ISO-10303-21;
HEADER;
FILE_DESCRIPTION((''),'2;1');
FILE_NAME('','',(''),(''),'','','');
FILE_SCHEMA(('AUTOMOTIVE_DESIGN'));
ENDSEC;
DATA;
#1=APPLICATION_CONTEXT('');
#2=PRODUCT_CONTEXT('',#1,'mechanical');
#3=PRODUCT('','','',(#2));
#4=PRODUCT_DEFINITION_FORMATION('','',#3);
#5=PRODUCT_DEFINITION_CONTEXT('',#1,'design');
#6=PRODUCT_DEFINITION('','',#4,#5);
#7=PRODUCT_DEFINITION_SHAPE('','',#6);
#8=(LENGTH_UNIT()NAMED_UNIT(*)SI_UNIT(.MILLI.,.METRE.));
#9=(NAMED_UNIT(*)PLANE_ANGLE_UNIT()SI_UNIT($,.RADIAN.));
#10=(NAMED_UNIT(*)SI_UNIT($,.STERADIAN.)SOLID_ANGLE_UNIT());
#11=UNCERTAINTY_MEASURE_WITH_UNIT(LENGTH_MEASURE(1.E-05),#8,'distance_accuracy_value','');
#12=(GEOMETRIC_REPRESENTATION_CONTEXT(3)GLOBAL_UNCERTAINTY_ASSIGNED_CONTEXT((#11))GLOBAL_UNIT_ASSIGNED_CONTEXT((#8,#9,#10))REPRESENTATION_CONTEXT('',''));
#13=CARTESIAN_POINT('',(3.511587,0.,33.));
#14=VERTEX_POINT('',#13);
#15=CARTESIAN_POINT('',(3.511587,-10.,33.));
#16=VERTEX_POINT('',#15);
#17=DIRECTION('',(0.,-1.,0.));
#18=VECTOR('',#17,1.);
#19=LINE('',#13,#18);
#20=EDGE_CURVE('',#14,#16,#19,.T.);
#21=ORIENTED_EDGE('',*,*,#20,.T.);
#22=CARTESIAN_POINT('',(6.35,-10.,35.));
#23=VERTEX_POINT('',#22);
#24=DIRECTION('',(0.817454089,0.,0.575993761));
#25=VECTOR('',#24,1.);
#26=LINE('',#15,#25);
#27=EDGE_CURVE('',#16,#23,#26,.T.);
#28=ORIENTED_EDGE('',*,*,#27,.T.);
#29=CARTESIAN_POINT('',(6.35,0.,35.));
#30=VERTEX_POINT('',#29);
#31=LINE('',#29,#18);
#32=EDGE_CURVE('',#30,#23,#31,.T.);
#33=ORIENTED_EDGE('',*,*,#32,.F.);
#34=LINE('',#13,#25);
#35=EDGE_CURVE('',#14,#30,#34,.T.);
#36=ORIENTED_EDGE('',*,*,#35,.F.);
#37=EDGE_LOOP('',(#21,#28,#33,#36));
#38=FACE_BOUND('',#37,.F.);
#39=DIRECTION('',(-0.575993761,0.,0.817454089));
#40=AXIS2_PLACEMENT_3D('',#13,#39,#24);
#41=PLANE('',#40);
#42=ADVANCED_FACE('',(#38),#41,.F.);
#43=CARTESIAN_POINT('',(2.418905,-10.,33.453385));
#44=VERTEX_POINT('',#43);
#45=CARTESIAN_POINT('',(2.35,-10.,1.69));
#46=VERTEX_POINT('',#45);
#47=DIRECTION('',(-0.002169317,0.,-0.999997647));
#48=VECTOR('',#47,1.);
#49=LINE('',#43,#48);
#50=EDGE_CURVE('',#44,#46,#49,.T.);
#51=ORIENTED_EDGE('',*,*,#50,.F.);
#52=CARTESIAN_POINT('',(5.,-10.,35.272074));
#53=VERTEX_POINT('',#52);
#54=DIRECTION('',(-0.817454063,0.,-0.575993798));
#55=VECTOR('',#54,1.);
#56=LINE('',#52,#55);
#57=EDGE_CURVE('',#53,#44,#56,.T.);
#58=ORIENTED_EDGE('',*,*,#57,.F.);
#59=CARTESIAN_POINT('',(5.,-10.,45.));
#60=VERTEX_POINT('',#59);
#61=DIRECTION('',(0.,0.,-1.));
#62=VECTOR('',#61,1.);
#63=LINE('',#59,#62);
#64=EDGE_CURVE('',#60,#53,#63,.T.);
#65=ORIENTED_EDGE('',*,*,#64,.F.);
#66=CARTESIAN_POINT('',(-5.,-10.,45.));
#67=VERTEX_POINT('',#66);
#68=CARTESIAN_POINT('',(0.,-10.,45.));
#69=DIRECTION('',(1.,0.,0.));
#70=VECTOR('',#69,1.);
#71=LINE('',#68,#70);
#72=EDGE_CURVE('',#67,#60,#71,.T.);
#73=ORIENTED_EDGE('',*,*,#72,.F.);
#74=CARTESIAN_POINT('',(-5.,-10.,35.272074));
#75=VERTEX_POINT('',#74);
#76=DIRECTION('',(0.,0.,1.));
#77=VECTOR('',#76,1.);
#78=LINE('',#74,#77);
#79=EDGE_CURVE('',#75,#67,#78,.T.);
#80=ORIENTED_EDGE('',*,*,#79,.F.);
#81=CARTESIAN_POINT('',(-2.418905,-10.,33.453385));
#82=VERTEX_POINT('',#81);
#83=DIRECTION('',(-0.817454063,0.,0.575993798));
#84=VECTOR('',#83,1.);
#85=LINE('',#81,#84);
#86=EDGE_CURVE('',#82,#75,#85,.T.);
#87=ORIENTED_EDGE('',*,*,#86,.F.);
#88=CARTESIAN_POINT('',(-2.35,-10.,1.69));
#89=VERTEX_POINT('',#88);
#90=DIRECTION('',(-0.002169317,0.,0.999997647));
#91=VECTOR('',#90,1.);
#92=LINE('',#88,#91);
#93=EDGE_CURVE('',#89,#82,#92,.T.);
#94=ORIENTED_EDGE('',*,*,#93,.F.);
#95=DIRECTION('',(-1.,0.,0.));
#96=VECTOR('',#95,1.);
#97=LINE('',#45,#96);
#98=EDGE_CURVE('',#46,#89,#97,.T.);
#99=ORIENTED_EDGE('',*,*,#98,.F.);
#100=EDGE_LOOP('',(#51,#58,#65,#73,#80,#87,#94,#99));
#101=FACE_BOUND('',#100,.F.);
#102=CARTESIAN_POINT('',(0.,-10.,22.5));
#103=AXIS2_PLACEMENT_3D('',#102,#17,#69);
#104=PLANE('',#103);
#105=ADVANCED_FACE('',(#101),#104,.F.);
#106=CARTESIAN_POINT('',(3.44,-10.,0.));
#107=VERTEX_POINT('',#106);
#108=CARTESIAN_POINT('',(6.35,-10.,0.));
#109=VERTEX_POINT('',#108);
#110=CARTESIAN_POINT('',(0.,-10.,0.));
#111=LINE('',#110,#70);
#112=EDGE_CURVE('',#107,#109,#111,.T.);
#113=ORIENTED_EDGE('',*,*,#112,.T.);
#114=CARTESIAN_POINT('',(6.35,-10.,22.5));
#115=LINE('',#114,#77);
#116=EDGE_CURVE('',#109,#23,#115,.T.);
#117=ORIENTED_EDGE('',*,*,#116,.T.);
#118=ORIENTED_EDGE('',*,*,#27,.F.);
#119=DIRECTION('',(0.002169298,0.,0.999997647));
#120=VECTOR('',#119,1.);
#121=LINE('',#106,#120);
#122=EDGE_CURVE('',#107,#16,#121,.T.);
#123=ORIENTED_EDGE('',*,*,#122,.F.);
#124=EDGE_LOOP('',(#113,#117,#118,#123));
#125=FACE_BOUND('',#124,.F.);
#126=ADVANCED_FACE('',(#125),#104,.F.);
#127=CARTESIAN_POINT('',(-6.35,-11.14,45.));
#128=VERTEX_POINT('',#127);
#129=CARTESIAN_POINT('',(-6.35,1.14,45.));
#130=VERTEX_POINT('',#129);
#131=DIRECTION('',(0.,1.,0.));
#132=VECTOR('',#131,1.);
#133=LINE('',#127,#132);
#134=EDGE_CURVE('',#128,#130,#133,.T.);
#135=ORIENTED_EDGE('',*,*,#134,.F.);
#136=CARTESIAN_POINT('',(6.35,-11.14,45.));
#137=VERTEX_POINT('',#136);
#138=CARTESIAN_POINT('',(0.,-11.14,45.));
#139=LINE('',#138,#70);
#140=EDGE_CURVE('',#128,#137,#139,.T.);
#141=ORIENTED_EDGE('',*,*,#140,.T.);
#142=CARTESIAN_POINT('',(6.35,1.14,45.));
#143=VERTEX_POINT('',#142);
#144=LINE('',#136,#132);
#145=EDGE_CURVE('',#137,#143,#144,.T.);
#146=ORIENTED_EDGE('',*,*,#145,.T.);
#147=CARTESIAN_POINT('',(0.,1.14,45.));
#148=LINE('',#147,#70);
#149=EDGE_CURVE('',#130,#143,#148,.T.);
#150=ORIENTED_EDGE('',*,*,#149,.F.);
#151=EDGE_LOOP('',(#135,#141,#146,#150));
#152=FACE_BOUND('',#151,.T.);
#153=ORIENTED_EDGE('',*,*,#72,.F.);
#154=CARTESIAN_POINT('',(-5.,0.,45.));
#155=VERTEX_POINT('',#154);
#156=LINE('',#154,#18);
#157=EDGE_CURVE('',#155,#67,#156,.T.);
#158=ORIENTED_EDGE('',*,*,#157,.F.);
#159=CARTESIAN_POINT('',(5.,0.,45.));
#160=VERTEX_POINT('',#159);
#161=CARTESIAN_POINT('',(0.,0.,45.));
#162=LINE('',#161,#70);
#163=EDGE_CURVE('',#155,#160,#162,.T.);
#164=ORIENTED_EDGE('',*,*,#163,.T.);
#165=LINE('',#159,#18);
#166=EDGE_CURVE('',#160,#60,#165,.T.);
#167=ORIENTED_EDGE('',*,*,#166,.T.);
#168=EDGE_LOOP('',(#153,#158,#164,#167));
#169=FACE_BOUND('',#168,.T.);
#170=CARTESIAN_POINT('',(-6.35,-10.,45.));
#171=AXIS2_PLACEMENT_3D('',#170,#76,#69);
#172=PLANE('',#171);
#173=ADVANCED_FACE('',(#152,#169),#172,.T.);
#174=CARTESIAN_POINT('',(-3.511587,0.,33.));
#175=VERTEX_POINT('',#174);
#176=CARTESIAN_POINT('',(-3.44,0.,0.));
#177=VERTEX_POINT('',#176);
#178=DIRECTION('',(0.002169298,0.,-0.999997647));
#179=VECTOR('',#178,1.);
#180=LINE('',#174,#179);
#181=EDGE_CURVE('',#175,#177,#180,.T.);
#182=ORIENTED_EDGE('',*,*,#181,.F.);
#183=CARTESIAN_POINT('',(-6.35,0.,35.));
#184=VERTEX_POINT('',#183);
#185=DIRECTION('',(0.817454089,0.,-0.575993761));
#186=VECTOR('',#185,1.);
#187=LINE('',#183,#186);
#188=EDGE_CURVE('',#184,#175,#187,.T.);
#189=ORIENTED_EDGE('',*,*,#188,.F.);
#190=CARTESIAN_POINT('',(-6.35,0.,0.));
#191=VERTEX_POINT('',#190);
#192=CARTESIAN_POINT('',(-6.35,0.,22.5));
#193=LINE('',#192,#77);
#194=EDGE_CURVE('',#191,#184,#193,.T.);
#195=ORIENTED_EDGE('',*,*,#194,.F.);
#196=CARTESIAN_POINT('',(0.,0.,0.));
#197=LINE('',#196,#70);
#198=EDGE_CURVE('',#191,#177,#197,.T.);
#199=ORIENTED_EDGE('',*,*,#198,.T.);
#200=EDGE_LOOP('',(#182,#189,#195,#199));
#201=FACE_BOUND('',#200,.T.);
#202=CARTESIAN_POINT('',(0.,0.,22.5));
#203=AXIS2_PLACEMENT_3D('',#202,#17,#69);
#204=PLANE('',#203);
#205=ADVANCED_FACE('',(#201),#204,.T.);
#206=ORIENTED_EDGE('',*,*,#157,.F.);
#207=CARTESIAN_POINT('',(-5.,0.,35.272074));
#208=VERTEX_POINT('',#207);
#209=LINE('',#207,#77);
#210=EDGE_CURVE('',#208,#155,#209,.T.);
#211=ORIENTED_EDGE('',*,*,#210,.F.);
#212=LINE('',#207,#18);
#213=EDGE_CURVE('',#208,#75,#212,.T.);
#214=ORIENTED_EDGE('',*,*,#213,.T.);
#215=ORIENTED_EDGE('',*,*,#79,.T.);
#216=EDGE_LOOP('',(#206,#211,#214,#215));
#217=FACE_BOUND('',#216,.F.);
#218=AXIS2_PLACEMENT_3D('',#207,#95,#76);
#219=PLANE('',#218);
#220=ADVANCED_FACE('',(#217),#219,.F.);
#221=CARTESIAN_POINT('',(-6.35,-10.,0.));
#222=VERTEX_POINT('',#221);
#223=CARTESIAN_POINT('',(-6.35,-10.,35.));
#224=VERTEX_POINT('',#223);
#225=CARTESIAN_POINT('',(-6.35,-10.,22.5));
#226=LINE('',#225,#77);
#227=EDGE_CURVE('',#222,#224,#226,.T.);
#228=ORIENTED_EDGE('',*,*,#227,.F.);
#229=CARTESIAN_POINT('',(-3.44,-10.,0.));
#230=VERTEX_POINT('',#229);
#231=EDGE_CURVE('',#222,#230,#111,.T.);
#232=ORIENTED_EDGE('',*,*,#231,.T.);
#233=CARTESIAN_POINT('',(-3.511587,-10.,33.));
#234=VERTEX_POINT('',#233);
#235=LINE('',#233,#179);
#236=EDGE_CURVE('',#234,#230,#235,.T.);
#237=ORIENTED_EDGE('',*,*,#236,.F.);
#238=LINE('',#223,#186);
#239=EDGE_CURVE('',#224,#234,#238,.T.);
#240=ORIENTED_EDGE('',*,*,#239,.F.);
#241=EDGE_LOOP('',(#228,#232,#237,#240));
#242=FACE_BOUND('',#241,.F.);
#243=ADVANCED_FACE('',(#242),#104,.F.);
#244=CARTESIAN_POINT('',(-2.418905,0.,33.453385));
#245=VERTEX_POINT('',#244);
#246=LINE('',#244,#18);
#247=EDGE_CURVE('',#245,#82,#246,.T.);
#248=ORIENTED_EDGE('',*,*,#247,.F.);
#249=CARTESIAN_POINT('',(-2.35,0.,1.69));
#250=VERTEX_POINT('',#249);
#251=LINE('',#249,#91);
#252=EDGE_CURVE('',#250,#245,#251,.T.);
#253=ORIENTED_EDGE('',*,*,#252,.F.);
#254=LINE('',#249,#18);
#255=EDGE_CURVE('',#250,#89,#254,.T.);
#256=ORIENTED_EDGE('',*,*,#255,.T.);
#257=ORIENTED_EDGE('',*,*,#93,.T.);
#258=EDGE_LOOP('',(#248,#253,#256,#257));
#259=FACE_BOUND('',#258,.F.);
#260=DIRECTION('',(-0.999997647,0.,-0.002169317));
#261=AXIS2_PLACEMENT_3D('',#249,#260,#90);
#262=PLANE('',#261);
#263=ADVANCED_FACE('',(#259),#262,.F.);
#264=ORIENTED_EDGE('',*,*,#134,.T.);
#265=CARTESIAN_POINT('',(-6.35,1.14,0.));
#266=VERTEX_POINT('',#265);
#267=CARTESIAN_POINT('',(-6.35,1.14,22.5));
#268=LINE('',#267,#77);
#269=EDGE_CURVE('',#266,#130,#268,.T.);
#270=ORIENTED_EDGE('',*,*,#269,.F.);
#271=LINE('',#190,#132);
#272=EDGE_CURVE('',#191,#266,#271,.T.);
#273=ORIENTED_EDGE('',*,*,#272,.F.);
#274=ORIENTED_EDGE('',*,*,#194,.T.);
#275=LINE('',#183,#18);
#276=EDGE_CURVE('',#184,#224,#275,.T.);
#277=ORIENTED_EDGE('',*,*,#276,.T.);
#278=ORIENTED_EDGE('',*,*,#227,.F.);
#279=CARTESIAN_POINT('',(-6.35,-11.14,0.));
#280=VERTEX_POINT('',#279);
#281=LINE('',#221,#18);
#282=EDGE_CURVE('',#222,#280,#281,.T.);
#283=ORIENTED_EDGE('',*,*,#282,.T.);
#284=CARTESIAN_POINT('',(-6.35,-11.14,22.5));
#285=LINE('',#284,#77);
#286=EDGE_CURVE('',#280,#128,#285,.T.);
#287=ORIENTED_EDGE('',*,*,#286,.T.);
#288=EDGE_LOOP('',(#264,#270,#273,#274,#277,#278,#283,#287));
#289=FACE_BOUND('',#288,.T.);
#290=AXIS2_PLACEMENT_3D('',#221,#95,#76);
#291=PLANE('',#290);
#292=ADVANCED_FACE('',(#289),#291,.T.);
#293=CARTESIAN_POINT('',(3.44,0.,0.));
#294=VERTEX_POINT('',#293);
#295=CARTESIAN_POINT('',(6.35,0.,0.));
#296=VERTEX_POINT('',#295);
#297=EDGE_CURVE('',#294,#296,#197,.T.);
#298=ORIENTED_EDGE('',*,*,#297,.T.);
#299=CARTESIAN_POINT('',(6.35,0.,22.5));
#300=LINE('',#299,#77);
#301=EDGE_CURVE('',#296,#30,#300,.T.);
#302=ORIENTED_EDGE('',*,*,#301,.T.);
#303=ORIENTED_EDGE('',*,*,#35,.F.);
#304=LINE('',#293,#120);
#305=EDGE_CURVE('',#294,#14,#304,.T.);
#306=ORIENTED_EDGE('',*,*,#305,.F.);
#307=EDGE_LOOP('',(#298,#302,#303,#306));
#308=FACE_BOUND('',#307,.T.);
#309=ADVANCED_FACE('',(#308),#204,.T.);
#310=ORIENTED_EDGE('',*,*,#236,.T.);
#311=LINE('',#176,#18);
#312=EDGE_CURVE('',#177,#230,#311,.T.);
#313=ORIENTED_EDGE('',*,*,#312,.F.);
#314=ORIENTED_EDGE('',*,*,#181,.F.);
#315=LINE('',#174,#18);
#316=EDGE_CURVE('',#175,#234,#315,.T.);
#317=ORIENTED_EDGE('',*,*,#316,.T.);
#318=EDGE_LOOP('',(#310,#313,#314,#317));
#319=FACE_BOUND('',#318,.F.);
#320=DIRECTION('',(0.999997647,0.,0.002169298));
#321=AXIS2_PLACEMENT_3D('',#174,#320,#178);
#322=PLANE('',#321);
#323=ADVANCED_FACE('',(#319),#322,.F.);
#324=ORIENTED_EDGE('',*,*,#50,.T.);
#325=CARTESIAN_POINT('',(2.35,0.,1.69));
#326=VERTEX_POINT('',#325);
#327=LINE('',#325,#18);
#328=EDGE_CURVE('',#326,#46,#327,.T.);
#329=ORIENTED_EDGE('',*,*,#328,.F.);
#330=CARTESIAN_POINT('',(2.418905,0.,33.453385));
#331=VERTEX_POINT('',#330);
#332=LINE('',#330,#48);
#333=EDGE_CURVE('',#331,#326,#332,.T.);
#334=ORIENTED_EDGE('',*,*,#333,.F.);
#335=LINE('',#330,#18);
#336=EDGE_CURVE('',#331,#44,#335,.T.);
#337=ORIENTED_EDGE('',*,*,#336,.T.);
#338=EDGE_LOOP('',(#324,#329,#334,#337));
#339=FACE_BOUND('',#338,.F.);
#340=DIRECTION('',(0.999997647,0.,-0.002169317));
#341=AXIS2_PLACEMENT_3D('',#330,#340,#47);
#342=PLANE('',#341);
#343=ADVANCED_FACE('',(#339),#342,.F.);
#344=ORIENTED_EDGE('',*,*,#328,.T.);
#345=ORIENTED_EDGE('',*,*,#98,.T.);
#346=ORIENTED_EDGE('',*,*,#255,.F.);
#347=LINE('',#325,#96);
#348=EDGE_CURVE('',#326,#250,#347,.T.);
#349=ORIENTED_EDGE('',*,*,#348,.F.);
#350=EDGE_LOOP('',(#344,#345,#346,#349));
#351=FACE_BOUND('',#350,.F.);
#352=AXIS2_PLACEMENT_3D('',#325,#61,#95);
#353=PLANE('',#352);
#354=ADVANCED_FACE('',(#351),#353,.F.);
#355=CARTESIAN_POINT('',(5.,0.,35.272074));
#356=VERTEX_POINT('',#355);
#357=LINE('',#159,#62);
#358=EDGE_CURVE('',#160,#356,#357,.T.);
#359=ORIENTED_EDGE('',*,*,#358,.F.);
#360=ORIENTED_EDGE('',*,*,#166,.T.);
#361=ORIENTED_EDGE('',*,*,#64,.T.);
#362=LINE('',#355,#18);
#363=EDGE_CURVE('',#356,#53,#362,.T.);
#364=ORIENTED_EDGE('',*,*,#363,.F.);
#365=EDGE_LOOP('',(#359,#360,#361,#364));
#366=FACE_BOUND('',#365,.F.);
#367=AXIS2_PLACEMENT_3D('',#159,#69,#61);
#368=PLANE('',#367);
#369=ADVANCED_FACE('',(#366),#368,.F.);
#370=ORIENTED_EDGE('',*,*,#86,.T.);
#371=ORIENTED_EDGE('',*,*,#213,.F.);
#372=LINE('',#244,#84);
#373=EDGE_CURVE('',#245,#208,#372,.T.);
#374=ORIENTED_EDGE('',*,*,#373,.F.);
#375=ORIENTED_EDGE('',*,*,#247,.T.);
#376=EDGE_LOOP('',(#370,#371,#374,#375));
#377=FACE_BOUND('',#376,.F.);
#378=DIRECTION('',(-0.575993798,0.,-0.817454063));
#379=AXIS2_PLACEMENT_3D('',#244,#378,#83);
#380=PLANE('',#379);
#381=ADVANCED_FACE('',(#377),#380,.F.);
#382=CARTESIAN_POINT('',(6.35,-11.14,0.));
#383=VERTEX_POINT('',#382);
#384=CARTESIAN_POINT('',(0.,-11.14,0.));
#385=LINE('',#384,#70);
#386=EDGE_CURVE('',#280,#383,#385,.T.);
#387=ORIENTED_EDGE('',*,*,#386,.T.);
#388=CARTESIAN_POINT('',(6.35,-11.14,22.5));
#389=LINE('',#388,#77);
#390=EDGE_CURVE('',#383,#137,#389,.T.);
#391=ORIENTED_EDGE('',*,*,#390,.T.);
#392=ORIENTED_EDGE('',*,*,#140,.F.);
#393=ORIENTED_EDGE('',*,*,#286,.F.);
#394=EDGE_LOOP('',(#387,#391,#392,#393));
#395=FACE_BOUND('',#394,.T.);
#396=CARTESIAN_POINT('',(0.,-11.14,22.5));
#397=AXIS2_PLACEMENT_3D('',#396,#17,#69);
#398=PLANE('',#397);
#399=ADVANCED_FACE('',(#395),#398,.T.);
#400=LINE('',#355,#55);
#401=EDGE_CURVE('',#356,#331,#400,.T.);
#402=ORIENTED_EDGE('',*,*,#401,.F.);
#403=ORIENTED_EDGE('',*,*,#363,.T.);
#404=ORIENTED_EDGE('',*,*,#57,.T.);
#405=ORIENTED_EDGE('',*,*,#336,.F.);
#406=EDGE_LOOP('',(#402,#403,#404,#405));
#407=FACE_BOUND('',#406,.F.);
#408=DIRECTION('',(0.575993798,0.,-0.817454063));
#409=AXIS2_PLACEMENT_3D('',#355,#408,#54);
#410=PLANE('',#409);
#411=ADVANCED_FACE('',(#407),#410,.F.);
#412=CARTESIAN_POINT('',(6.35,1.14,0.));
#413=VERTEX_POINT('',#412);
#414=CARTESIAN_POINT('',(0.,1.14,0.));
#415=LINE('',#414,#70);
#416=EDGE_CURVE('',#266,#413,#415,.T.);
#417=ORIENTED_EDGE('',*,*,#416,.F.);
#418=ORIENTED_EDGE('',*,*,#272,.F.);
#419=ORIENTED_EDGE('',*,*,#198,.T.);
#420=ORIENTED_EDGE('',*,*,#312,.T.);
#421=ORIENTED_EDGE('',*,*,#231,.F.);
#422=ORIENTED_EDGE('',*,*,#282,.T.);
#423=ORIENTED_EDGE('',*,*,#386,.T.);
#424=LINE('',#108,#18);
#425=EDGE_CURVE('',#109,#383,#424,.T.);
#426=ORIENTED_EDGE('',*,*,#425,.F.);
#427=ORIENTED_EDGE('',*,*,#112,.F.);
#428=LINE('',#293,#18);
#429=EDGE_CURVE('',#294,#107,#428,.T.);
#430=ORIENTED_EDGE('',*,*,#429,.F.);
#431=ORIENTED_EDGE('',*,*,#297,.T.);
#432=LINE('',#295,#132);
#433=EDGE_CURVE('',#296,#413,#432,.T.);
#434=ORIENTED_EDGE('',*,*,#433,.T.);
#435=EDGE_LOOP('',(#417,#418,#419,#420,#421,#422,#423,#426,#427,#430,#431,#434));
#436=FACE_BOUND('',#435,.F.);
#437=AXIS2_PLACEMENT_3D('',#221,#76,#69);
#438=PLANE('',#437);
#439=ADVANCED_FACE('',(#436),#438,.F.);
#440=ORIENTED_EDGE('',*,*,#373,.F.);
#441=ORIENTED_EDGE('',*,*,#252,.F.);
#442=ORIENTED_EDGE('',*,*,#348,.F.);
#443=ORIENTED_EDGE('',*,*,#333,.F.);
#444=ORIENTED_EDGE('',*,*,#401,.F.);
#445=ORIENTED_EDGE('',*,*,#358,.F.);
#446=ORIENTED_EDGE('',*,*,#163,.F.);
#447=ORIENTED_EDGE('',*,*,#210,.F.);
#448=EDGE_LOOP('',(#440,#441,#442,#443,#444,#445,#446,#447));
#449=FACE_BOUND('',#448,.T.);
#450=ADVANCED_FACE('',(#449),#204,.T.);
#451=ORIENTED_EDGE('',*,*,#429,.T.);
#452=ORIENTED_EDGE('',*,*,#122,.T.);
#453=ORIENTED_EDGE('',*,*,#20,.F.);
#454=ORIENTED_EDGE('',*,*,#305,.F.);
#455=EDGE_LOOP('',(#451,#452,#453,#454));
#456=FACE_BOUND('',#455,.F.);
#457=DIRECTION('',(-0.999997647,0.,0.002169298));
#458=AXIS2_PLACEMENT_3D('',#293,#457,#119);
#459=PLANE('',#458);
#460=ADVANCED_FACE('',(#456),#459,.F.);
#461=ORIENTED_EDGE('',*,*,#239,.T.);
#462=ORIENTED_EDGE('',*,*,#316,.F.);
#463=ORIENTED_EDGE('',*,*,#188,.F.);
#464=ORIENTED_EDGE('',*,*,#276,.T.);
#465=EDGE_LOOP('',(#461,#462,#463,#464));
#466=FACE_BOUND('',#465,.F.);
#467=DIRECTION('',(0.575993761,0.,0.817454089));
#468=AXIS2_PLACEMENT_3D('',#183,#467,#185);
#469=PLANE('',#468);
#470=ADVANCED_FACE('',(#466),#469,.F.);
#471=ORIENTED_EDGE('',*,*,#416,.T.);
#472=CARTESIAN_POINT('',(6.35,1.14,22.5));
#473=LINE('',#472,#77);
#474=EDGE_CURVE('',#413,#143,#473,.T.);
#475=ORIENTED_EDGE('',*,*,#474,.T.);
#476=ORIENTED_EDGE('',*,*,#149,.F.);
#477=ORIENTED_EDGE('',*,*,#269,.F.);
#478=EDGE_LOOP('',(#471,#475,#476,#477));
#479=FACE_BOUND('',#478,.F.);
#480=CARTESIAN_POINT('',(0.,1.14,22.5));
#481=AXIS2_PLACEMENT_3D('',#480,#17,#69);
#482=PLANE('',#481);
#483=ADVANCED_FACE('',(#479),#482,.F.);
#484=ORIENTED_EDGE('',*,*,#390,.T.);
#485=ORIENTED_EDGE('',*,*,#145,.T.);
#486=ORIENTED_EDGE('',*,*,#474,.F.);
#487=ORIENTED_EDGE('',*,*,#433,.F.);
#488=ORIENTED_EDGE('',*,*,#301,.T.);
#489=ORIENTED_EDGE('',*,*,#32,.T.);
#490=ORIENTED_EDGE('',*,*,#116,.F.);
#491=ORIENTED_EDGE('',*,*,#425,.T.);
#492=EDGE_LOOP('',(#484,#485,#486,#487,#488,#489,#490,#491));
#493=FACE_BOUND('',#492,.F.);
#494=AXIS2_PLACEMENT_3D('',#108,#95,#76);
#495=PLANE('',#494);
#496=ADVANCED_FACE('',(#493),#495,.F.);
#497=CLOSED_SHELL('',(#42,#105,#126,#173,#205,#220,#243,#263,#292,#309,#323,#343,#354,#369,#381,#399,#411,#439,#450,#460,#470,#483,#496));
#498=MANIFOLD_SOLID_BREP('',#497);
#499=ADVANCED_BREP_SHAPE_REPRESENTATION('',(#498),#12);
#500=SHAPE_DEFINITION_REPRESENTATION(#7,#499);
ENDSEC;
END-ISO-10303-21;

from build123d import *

# Parameters (mm, degrees)
F1_DEPTH = 10
F2_W     = 12.7
F2_H     = 45
F3_DEPTH = 1.14
F4_W     = 12.7
F4_H     = 45
F5_DEPTH = 1.14


with BuildPart() as f1:
    # F0 (on Front) → F1 (new body)
    with BuildSketch(Plane.XZ):
        Polygon((-5, 45), (-6.35, 45), (-6.35, 35), (-3.511587, 33), (-3.44, 0), (0, 0), (0, 1.69), (-2.35, 1.69), (-2.418905, 33.453385), (-5, 35.272074), align=None)
        Polygon((0, 1.69), (0, 0), (3.44, 0), (3.511587, 33), (6.35, 35), (6.35, 45), (5, 45), (5, 35.272074), (2.418905, 33.453385), (2.35, 1.69), align=None)
    extrude(amount=F1_DEPTH)

    # F2 (on Front) → F3 (join)
    with BuildSketch(Plane.XZ):
        with Locations((0, 22.5)):
            Rectangle(F2_W, F2_H)
    extrude(amount=-F3_DEPTH)

    # F4 (on face) → F5 (join)
    with BuildSketch(Plane.XZ.offset(10)):
        with Locations((0, 22.5)):
            Rectangle(F4_W, F4_H)
    extrude(amount=F5_DEPTH)


solid = f1.part
